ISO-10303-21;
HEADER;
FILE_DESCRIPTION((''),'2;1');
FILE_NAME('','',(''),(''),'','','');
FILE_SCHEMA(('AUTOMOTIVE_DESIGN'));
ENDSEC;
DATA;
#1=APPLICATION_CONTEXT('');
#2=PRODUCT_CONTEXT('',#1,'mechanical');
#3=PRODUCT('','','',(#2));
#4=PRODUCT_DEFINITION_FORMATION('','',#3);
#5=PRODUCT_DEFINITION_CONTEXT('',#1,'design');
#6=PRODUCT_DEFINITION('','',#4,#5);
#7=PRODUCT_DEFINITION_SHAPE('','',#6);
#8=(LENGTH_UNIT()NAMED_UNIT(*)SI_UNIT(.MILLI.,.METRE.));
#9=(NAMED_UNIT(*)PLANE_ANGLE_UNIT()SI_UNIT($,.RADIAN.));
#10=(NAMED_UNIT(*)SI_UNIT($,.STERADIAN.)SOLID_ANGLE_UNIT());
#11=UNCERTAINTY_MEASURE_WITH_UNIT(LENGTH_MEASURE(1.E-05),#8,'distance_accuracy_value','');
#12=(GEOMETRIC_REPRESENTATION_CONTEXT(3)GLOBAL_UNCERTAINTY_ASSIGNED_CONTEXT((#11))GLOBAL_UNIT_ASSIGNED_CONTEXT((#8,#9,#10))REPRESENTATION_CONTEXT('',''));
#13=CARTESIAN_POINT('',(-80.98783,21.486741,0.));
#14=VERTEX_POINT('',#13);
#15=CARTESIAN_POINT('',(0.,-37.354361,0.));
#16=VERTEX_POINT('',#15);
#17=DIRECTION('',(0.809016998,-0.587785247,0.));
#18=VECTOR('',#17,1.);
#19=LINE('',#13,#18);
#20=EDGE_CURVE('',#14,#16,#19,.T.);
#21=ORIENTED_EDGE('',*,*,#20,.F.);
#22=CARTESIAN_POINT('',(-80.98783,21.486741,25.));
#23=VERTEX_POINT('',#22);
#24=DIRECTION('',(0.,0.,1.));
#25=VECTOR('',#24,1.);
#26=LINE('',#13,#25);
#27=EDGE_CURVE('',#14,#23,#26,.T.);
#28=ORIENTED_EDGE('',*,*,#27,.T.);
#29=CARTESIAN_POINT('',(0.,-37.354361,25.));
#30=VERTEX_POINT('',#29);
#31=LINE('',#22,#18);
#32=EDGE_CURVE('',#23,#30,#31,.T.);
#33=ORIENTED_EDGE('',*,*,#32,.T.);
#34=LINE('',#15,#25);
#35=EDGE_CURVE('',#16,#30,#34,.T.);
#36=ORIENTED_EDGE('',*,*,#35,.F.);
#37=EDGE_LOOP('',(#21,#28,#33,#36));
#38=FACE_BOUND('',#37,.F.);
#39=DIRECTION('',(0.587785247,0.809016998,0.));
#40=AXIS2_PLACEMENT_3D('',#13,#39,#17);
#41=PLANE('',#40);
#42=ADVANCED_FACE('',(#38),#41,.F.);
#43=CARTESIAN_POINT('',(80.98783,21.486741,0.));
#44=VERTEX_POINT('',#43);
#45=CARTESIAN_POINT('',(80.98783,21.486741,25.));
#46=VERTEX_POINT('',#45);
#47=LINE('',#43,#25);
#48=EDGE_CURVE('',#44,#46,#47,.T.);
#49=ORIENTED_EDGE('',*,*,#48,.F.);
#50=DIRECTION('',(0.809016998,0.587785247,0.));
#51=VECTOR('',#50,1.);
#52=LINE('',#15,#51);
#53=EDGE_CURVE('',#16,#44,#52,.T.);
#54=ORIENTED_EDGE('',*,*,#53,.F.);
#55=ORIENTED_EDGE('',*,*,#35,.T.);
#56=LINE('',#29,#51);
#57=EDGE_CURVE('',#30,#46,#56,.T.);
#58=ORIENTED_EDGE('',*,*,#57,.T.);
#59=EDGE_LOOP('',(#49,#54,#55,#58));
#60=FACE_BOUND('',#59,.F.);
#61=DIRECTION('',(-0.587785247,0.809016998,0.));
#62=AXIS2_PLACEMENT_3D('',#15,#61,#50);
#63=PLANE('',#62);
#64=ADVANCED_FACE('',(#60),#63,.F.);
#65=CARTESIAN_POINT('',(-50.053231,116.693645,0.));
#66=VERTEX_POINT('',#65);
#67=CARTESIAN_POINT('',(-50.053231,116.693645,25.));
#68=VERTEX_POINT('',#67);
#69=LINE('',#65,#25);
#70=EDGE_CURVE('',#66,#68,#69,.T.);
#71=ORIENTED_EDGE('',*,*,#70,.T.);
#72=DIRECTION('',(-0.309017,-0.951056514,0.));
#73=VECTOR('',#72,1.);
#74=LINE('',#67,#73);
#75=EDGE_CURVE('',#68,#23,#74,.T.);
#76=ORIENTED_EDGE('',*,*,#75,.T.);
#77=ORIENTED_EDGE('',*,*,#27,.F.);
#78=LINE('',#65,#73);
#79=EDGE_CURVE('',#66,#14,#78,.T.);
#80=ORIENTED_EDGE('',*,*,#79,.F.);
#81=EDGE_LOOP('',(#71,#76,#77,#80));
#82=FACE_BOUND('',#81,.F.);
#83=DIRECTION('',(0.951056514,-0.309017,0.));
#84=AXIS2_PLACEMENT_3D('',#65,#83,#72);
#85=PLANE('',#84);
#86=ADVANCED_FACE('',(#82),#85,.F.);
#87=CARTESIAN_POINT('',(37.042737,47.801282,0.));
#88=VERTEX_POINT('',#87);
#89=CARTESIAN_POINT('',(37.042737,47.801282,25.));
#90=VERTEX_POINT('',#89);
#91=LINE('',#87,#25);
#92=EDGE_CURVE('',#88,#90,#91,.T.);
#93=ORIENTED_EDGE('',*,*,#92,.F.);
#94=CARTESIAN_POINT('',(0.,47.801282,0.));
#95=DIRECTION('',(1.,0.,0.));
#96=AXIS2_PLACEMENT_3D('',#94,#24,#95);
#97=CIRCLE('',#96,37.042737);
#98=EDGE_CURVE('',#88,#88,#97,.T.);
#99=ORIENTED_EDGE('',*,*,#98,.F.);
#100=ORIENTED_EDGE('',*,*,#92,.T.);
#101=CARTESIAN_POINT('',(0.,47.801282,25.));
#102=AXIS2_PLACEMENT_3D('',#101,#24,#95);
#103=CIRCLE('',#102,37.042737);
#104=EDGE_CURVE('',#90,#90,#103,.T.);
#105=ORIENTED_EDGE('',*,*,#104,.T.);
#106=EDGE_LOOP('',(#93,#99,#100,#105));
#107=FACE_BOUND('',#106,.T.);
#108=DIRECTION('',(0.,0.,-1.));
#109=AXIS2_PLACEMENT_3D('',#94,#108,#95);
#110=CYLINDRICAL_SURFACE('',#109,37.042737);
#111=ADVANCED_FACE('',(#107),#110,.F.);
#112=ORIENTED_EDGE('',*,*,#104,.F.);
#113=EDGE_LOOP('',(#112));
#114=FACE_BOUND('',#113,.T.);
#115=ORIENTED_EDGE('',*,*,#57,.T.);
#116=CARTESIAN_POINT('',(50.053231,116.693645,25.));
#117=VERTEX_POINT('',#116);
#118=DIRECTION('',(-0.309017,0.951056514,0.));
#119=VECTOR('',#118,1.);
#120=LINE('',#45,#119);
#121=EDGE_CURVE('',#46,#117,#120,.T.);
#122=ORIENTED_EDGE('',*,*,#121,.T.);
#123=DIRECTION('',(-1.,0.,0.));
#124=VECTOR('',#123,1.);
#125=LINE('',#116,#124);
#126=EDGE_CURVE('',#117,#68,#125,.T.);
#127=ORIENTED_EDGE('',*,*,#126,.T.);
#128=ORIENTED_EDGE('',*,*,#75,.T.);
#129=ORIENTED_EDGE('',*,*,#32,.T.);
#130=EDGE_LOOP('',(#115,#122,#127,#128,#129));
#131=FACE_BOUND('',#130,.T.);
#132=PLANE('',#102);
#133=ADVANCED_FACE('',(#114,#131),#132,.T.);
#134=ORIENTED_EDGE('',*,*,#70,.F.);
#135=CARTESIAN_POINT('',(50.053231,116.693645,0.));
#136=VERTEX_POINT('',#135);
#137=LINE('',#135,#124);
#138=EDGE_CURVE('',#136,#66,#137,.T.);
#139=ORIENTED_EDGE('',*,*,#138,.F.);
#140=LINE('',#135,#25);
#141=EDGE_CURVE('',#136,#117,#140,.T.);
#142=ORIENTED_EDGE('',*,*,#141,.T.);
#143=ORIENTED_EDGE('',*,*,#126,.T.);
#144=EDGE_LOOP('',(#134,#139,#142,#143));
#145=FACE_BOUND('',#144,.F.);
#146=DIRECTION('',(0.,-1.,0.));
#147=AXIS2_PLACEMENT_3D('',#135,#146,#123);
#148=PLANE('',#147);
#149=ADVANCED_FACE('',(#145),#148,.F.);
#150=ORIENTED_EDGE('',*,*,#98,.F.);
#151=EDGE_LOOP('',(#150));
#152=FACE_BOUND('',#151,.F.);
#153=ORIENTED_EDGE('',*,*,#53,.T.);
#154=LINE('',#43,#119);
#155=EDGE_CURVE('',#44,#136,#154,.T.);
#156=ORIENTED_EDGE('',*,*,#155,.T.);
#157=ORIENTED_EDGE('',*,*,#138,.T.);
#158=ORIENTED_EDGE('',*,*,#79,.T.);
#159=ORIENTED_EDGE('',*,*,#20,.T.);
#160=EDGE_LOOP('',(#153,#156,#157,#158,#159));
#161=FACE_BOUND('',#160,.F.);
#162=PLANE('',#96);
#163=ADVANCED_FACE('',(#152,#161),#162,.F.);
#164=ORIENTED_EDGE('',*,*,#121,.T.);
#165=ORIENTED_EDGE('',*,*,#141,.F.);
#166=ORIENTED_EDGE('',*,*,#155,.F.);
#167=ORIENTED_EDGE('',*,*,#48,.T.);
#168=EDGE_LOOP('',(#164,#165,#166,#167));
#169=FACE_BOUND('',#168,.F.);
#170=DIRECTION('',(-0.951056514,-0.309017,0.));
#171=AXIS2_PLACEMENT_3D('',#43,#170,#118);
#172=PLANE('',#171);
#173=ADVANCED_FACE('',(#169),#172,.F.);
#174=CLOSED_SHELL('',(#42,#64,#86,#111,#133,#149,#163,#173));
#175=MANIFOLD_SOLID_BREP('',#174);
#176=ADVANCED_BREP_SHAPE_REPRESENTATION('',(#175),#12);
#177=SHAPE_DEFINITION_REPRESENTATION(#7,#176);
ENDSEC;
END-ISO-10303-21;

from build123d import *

# Parameters (mm, degrees)
F0_R     = 37.042737
F1_DEPTH = 25


with BuildPart() as f1:
    # F0 (on Top) → F1 (new body)
    with BuildSketch(Plane.XY):
        Polygon((-80.98783, 21.486741), (0, -37.354361), (80.98783, 21.486741), (50.053231, 116.693645), (-50.053231, 116.693645), align=None)
        with Locations((0, 47.801282)):
            Circle(F0_R, mode=Mode.SUBTRACT)
    extrude(amount=F1_DEPTH)


solid = f1.part
